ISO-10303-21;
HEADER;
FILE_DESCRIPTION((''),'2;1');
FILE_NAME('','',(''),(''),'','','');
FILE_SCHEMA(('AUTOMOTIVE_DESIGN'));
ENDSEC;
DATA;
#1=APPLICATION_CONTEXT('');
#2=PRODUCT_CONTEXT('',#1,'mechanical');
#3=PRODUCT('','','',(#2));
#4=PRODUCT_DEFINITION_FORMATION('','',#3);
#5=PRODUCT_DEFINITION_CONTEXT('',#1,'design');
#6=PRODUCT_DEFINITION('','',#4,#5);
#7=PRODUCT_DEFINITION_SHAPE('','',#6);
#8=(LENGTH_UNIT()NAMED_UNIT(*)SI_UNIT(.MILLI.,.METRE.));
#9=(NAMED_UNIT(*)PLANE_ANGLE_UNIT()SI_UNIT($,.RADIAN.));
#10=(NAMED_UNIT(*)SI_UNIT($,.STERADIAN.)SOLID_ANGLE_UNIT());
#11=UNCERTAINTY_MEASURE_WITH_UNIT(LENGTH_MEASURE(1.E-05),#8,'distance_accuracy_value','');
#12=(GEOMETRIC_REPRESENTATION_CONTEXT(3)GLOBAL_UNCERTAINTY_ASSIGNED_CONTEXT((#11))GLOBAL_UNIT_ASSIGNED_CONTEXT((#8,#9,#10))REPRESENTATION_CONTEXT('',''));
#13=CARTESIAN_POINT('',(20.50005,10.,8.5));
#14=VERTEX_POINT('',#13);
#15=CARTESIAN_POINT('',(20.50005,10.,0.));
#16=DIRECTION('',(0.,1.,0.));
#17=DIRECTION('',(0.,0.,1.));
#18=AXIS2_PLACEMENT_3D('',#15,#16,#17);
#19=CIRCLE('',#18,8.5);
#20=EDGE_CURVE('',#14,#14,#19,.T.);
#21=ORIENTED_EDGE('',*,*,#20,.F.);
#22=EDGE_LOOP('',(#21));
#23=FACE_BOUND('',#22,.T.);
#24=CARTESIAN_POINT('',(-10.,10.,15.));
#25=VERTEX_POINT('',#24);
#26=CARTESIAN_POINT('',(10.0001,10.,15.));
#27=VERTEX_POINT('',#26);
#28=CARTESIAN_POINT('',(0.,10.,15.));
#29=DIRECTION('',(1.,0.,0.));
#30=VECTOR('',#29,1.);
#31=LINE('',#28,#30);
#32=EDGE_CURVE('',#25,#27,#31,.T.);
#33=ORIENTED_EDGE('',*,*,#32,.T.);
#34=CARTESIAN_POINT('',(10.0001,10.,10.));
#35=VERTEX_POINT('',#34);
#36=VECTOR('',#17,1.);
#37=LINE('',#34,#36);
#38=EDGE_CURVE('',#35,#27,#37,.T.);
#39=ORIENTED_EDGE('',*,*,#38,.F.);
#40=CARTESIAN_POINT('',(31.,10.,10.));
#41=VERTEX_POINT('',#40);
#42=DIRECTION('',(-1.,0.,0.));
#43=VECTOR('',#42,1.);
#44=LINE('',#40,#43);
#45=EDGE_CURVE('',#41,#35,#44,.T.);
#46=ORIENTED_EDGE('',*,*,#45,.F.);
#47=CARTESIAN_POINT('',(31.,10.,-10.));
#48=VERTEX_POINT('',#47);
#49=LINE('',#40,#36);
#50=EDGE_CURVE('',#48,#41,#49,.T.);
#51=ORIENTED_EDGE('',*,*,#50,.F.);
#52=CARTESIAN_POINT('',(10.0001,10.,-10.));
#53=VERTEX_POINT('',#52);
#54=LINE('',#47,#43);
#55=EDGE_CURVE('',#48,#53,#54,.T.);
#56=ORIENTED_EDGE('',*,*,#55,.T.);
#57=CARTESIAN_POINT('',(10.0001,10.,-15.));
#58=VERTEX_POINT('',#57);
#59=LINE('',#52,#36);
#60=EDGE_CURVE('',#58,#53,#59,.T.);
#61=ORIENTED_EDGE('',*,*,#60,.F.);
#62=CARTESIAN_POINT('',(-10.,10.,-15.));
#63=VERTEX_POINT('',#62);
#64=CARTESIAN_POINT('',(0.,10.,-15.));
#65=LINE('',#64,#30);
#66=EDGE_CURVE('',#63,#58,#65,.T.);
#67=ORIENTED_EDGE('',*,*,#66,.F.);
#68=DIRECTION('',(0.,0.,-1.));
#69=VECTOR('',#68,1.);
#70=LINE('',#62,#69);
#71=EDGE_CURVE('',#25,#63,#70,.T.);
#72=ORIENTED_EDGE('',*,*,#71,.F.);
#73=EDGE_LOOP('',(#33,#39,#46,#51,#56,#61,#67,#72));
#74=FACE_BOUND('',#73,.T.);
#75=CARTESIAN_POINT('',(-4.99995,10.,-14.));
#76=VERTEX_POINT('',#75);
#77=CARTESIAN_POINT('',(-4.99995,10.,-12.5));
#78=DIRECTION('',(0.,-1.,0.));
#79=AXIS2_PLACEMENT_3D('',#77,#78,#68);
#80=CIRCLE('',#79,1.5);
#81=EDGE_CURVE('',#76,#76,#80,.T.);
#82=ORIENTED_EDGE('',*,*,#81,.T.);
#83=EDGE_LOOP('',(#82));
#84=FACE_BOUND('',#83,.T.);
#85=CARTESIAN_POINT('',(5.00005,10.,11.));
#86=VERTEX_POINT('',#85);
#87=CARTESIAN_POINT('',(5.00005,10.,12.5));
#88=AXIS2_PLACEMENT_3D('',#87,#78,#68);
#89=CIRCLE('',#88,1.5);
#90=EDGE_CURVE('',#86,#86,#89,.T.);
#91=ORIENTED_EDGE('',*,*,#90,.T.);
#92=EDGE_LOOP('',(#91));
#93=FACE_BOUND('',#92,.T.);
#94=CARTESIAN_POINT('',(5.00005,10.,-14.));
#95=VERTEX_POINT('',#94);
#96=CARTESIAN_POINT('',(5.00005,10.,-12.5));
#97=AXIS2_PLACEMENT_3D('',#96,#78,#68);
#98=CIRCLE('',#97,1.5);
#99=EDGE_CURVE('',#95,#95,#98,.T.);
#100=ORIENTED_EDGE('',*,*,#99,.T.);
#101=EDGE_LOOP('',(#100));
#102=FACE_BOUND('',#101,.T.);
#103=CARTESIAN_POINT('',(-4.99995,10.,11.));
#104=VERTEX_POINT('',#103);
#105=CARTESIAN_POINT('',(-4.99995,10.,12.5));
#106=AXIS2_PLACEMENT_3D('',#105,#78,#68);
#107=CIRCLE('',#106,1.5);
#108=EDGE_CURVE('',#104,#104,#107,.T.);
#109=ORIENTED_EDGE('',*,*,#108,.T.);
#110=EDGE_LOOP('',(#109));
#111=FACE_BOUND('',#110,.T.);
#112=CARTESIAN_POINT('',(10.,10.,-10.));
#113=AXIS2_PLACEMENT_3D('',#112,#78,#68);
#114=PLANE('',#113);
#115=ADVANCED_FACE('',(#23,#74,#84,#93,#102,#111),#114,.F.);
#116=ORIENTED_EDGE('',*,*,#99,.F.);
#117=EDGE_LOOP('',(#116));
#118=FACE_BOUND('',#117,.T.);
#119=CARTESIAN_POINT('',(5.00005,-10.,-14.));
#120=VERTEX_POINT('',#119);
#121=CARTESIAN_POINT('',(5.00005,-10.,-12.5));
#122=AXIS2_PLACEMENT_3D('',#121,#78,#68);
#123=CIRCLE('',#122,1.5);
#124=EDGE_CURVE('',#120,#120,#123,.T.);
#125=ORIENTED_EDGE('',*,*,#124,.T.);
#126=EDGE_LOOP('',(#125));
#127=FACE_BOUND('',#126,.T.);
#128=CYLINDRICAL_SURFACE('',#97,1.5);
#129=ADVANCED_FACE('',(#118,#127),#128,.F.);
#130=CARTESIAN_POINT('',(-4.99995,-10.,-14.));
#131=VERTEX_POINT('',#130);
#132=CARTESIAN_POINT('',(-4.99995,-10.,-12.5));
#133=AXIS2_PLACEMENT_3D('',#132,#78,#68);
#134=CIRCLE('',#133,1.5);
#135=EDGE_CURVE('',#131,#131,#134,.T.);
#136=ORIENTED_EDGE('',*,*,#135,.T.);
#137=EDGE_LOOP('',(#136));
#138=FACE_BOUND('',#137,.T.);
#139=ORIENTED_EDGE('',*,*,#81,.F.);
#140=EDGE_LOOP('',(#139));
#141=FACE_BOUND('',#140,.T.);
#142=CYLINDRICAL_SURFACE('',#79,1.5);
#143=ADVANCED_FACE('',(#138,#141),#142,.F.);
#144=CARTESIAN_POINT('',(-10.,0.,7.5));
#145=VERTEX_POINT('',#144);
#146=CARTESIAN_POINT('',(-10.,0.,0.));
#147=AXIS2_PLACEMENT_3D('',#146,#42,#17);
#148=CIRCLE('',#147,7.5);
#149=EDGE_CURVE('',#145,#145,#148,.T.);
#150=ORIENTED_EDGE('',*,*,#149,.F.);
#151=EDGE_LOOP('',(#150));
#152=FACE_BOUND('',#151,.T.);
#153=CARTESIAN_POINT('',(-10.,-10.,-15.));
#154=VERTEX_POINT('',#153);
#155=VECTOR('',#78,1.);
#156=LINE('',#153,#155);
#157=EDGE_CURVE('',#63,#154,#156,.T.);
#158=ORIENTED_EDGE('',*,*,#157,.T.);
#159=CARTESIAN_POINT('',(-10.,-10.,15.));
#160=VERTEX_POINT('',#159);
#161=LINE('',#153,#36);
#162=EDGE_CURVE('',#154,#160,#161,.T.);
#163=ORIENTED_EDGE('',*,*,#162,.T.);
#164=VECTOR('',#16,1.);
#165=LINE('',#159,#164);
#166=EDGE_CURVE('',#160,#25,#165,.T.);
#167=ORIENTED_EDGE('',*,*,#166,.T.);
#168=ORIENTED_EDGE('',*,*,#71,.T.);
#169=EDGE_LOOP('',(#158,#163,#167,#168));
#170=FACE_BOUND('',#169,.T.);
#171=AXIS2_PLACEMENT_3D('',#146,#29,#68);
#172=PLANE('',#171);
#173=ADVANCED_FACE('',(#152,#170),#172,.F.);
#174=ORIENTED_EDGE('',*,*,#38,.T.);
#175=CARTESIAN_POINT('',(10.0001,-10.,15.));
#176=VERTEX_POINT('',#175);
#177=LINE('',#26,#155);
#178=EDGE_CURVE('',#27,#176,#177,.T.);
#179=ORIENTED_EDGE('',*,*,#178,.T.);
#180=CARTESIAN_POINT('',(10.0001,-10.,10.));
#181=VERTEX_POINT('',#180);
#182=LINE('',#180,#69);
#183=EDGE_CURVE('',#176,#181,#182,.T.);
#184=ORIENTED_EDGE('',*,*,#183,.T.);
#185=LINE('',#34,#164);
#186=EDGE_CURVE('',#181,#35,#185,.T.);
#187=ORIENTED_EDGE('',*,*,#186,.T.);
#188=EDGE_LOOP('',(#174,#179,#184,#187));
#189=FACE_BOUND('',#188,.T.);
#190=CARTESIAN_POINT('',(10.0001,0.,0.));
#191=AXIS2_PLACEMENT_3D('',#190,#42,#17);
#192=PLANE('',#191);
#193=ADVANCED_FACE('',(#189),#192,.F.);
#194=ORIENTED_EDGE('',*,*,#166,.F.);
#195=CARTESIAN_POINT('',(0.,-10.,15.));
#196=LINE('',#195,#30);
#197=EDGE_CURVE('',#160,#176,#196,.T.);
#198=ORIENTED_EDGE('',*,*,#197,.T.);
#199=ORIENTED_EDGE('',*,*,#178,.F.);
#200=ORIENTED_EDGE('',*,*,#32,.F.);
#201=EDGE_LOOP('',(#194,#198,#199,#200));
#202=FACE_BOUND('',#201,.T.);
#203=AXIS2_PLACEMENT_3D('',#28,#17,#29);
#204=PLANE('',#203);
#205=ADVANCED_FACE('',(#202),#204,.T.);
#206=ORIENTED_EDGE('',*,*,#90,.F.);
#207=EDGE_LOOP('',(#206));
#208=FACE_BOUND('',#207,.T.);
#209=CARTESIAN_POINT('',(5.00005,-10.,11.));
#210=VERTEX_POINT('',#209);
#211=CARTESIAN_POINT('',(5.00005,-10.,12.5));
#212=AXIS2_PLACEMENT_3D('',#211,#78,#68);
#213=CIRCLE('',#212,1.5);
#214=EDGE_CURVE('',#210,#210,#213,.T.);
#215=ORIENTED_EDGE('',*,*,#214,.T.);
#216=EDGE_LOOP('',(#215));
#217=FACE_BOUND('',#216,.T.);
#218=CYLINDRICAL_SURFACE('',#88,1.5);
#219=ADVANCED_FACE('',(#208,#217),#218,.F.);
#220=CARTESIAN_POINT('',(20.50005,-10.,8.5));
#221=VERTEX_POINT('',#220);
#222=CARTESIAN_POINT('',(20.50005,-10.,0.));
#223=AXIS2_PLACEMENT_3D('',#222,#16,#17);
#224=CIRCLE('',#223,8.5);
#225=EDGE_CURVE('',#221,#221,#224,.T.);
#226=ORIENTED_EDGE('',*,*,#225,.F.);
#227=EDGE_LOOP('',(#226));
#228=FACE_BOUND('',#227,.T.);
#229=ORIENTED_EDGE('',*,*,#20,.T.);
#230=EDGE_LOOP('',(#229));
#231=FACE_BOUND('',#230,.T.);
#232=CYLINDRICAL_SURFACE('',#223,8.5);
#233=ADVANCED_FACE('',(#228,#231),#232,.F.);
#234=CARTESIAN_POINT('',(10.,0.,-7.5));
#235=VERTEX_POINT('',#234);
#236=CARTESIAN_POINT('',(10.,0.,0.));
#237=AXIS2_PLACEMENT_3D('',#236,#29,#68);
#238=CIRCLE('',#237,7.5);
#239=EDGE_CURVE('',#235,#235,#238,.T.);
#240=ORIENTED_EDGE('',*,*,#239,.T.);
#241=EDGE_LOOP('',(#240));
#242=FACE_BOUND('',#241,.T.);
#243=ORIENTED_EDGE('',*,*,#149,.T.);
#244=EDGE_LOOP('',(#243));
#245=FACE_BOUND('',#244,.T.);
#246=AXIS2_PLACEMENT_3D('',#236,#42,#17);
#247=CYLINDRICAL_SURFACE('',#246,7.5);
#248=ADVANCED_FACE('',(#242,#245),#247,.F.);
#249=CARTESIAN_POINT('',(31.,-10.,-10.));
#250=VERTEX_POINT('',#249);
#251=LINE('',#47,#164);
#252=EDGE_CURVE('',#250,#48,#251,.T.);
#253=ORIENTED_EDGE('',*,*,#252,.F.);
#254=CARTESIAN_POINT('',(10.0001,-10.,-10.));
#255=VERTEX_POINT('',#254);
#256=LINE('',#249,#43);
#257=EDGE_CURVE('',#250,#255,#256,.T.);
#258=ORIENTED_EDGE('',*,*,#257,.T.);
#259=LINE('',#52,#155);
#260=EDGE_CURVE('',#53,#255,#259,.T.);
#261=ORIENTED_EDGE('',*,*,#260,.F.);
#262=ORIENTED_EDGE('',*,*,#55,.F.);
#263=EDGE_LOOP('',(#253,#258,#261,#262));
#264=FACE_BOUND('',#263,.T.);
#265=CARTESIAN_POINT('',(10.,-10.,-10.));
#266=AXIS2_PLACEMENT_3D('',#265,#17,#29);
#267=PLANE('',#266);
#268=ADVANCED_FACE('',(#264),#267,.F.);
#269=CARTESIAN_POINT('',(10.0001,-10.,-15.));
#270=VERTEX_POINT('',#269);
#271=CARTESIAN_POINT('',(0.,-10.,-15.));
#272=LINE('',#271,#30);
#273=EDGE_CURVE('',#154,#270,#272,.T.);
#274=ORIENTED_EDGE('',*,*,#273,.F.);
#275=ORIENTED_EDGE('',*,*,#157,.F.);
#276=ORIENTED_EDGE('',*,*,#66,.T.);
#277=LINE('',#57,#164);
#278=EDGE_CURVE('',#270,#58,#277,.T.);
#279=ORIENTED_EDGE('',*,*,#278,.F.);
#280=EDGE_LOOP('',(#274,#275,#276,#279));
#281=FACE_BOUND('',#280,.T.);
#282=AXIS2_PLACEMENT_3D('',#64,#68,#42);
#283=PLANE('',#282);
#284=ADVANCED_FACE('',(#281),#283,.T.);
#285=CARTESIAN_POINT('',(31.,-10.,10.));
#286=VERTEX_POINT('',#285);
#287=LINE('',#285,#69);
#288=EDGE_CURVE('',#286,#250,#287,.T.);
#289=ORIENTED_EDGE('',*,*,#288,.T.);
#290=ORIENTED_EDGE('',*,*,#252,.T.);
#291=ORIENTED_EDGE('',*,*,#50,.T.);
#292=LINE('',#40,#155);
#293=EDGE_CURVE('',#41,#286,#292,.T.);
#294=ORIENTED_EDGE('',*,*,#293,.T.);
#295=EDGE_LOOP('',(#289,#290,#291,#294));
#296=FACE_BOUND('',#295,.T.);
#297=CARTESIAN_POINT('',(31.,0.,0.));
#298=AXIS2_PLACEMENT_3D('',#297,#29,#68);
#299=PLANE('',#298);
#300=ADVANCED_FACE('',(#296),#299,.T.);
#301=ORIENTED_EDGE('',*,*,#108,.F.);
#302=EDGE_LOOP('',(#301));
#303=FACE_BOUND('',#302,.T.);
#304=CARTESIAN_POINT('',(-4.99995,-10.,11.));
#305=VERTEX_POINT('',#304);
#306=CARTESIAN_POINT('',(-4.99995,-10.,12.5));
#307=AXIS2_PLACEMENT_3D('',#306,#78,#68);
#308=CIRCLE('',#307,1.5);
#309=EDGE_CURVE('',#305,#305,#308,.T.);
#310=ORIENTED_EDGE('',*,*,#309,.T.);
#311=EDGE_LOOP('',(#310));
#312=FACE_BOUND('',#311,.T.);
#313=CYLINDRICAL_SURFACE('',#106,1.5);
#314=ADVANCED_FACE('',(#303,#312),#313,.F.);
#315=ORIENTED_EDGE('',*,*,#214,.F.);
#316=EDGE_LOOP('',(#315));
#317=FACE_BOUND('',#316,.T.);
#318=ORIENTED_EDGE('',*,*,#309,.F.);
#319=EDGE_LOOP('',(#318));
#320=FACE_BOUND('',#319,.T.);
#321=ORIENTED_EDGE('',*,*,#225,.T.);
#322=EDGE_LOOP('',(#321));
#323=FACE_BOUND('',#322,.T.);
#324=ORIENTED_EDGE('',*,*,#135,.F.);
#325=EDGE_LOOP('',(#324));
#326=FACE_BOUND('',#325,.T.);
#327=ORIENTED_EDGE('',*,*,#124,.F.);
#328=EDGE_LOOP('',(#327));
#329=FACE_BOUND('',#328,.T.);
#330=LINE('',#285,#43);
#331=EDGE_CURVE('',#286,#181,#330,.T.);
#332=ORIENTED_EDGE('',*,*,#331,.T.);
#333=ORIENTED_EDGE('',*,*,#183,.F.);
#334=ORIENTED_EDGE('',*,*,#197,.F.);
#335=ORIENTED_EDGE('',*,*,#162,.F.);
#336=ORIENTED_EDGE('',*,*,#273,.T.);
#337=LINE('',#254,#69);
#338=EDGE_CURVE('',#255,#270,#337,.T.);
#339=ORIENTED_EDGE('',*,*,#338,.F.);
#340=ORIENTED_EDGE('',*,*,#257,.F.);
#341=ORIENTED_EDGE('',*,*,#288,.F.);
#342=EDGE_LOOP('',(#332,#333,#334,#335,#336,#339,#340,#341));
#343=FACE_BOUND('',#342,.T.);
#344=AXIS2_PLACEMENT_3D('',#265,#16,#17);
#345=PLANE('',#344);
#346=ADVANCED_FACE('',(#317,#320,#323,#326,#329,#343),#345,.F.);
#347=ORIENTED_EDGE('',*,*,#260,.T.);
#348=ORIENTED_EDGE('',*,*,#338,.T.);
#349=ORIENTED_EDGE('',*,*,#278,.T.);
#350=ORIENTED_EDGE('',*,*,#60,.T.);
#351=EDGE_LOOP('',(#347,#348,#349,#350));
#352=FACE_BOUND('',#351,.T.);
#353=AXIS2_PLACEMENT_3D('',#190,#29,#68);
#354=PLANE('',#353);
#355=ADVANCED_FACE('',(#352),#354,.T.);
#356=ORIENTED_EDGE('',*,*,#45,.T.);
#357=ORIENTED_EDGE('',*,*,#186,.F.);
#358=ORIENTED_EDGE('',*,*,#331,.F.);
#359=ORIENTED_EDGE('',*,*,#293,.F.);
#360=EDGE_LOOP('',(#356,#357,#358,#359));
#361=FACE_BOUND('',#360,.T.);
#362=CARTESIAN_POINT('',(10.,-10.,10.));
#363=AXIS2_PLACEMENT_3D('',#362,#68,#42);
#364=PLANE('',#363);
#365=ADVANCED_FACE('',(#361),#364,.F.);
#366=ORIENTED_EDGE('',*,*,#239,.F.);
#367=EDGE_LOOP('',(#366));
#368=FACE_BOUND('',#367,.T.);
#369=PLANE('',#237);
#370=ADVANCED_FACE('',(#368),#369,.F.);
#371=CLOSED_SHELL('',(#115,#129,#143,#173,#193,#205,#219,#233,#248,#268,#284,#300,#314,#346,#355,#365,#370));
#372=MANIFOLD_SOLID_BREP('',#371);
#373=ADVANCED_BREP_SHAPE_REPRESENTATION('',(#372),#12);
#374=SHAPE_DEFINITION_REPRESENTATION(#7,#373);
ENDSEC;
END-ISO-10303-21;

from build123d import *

# Parameters (mm, degrees)
SKETCH_1_W           = 20
SKETCH_1_H           = 20
SKETCH_1_R           = 7.5
EXTRUDE_1_DEPTH      = 10
EXTRUDE_2_DEPTH      = 0.0001
EXTRUDE_2_DEPTH_BACK = 10
SKETCH_2_W           = 5
SKETCH_2_H           = 2
SKETCH_3_R           = 1.5
CUT_EXTRUDE_1_DEPTH  = 27.925861175
SKETCH_4_R           = 1.5
CUT_EXTRUDE_2_DEPTH  = 27.925861175
SKETCH_5_W           = 20
SKETCH_5_H           = 20
EXTRUDE_3_DEPTH      = 21
SKETCH_6_R           = 8.5
CUT_EXTRUDE_3_DEPTH  = 40.824615503
SKETCH_7_W           = 10.0001
SKETCH_7_H           = 16
EXTRUDE_4_DEPTH      = 5
SKETCH_8_W           = 10.0001
SKETCH_8_H           = 17
EXTRUDE_5_DEPTH      = 5
SKETCH_9_R           = 1.5
CUT_EXTRUDE_4_DEPTH  = 40.824615503
SKETCH_10_W          = 30
SKETCH_10_H          = 20
EXTRUDE_6_DEPTH      = 10
SKETCH_11_R          = 7.5
CUT_EXTRUDE_5_DEPTH  = 10
SKETCH_12_R          = 1.5
CUT_EXTRUDE_6_DEPTH  = 20


with BuildPart() as part:
    # 草图1 → 凸台-拉伸1 (new body)
    with BuildSketch(Plane(origin=(0, 0, 0), x_dir=(0, 0, -1), z_dir=(1, 0, 0))):
        Rectangle(SKETCH_1_W, SKETCH_1_H)
        Circle(SKETCH_1_R, mode=Mode.SUBTRACT)
    extrude(amount=EXTRUDE_1_DEPTH)

    # 草图2 → 凸台-拉伸2 (add, two sides: drawn at the far end of the back side and taken through both)
    with BuildSketch(Plane(origin=(10, 0, 0), x_dir=(0, 0, -1), z_dir=(1, 0, 0)).offset(-EXTRUDE_2_DEPTH_BACK)):
        with Locations((-12.5, 9)):
            Rectangle(SKETCH_2_W, SKETCH_2_H)
        with Locations((12.5, 9)):
            Rectangle(SKETCH_2_W, SKETCH_2_H)
        with Locations((12.5, -9)):
            Rectangle(SKETCH_2_W, SKETCH_2_H)
        with Locations((-12.5, -9)):
            Rectangle(SKETCH_2_W, SKETCH_2_H)
    extrude(amount=EXTRUDE_2_DEPTH + EXTRUDE_2_DEPTH_BACK)

    # 草图3 → 切除-拉伸1 (cut, through all)
    with BuildSketch(Plane.XZ.offset(10)):
        with Locations(Location((5.00005, -12.5, 0), (0, 0, 270))):
            Circle(SKETCH_3_R)
    extrude(amount=-CUT_EXTRUDE_1_DEPTH, mode=Mode.SUBTRACT)

    # 草图4 → 切除-拉伸2 (cut, through all)
    with BuildSketch(Plane.XZ.offset(10)):
        with Locations(Location((5.00005, 12.5, 0), (0, 0, 270))):
            Circle(SKETCH_4_R)
    extrude(amount=-CUT_EXTRUDE_2_DEPTH, mode=Mode.SUBTRACT)

    # 草图5 → 凸台-拉伸3 (add)
    with BuildSketch(Plane(origin=(10, 0, 0), x_dir=(0, 0, -1), z_dir=(1, 0, 0))):
        Rectangle(SKETCH_5_W, SKETCH_5_H)
    extrude(amount=EXTRUDE_3_DEPTH)

    # 草图6 → 切除-拉伸3 (cut, through all)
    with BuildSketch(Plane(origin=(0, 10, 0), x_dir=(1, 0, 0), z_dir=(0, 1, 0))):
        with Locations(Location((20.50005, 0, 0), (0, 0, 270))):
            Circle(SKETCH_6_R)
    extrude(amount=-CUT_EXTRUDE_3_DEPTH, mode=Mode.SUBTRACT)

    # 草图7 → 凸台-拉伸4 (add)
    with BuildSketch(Plane(origin=(0, 0, -10), x_dir=(-1, 0, 0), z_dir=(0, 0, -1))):
        with Locations((-5.00005, 0)):
            Rectangle(SKETCH_7_W, SKETCH_7_H)
    extrude(amount=EXTRUDE_4_DEPTH)

    # 草图8 → 凸台-拉伸5 (add)
    with BuildSketch(Plane.XY.offset(10)):
        with Locations((5.00005, -0.5)):
            Rectangle(SKETCH_8_W, SKETCH_8_H)
    extrude(amount=EXTRUDE_5_DEPTH)

    # 草图9 → 切除-拉伸4 (cut, through all)
    with BuildSketch(Plane(origin=(0, 10, 0), x_dir=(1, 0, 0), z_dir=(0, 1, 0))):
        with Locations(Location((5.00005, -12.5, 0), (0, 0, 90))):
            Circle(SKETCH_9_R)
        with Locations(Location((5.00005, 12.5, 0), (0, 0, 90))):
            Circle(SKETCH_9_R)
    extrude(amount=-CUT_EXTRUDE_4_DEPTH, mode=Mode.SUBTRACT)

    # 草图10 → 凸台-拉伸6 (add)
    with BuildSketch(Plane.ZY):
        Rectangle(SKETCH_10_W, SKETCH_10_H)
    extrude(amount=EXTRUDE_6_DEPTH)

    # 草图11 → 切除-拉伸5 (cut)
    with BuildSketch(Plane.ZY.offset(10)):
        Circle(SKETCH_11_R)
    extrude(amount=-CUT_EXTRUDE_5_DEPTH, mode=Mode.SUBTRACT)

    # 草图12 → 切除-拉伸6 (cut)
    with BuildSketch(Plane.XZ.offset(10)):
        with Locations(Location((-4.99995, -12.5, 0), (0, 0, 270))):
            Circle(SKETCH_12_R)
        with Locations(Location((-4.99995, 12.5, 0), (0, 0, 270))):
            Circle(SKETCH_12_R)
    extrude(amount=-CUT_EXTRUDE_6_DEPTH, mode=Mode.SUBTRACT)


solid = part.part
